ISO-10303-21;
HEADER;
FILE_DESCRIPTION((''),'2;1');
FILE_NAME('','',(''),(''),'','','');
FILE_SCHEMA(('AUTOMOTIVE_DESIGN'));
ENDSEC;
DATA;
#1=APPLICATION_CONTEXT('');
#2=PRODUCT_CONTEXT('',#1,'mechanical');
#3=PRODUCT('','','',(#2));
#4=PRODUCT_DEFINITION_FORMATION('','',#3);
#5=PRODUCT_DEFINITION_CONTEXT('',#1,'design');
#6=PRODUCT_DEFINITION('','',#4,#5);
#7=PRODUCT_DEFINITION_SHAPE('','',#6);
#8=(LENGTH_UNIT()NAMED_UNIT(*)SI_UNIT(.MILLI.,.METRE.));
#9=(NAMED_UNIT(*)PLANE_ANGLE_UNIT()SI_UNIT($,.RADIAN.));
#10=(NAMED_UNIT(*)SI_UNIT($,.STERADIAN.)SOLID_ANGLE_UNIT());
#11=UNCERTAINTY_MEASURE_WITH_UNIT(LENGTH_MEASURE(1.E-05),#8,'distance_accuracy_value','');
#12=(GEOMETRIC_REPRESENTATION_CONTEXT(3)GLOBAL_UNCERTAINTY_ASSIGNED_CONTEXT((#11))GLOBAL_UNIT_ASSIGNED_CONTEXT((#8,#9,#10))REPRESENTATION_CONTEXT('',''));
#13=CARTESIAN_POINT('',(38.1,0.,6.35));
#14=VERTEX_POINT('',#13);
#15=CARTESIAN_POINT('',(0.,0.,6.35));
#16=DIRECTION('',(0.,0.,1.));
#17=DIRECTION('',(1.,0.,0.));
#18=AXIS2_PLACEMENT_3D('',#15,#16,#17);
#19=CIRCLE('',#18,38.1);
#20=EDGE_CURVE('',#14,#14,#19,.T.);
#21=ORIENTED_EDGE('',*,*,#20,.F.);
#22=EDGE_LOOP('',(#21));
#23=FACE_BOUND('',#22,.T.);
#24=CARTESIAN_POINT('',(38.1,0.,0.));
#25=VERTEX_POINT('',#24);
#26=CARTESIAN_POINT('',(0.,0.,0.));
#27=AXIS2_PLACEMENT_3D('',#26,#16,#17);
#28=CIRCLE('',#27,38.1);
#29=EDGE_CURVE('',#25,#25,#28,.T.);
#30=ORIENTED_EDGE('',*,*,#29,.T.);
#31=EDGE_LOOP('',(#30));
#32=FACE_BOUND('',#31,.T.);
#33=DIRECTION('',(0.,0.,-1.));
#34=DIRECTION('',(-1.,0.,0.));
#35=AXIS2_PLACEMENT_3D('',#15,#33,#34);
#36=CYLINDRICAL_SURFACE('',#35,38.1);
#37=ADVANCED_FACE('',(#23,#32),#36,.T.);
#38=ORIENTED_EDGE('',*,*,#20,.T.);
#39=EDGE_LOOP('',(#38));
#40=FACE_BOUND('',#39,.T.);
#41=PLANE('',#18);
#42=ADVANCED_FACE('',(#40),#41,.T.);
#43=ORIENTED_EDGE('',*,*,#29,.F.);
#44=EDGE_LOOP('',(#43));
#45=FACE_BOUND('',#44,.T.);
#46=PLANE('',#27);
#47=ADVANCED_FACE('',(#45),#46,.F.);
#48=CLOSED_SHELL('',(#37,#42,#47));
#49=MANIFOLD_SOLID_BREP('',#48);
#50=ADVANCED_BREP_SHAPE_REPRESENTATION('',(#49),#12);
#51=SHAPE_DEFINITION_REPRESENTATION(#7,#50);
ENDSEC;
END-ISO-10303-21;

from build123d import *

# Parameters (mm, degrees)
SKETCH1_R           = 38.1
BOSS_EXTRUDE1_DEPTH = 6.35


with BuildPart() as part:
    # Sketch1 → Boss-Extrude1 (new body)
    with BuildSketch(Plane.XY):
        Circle(SKETCH1_R)
    extrude(amount=BOSS_EXTRUDE1_DEPTH)


solid = part.part
